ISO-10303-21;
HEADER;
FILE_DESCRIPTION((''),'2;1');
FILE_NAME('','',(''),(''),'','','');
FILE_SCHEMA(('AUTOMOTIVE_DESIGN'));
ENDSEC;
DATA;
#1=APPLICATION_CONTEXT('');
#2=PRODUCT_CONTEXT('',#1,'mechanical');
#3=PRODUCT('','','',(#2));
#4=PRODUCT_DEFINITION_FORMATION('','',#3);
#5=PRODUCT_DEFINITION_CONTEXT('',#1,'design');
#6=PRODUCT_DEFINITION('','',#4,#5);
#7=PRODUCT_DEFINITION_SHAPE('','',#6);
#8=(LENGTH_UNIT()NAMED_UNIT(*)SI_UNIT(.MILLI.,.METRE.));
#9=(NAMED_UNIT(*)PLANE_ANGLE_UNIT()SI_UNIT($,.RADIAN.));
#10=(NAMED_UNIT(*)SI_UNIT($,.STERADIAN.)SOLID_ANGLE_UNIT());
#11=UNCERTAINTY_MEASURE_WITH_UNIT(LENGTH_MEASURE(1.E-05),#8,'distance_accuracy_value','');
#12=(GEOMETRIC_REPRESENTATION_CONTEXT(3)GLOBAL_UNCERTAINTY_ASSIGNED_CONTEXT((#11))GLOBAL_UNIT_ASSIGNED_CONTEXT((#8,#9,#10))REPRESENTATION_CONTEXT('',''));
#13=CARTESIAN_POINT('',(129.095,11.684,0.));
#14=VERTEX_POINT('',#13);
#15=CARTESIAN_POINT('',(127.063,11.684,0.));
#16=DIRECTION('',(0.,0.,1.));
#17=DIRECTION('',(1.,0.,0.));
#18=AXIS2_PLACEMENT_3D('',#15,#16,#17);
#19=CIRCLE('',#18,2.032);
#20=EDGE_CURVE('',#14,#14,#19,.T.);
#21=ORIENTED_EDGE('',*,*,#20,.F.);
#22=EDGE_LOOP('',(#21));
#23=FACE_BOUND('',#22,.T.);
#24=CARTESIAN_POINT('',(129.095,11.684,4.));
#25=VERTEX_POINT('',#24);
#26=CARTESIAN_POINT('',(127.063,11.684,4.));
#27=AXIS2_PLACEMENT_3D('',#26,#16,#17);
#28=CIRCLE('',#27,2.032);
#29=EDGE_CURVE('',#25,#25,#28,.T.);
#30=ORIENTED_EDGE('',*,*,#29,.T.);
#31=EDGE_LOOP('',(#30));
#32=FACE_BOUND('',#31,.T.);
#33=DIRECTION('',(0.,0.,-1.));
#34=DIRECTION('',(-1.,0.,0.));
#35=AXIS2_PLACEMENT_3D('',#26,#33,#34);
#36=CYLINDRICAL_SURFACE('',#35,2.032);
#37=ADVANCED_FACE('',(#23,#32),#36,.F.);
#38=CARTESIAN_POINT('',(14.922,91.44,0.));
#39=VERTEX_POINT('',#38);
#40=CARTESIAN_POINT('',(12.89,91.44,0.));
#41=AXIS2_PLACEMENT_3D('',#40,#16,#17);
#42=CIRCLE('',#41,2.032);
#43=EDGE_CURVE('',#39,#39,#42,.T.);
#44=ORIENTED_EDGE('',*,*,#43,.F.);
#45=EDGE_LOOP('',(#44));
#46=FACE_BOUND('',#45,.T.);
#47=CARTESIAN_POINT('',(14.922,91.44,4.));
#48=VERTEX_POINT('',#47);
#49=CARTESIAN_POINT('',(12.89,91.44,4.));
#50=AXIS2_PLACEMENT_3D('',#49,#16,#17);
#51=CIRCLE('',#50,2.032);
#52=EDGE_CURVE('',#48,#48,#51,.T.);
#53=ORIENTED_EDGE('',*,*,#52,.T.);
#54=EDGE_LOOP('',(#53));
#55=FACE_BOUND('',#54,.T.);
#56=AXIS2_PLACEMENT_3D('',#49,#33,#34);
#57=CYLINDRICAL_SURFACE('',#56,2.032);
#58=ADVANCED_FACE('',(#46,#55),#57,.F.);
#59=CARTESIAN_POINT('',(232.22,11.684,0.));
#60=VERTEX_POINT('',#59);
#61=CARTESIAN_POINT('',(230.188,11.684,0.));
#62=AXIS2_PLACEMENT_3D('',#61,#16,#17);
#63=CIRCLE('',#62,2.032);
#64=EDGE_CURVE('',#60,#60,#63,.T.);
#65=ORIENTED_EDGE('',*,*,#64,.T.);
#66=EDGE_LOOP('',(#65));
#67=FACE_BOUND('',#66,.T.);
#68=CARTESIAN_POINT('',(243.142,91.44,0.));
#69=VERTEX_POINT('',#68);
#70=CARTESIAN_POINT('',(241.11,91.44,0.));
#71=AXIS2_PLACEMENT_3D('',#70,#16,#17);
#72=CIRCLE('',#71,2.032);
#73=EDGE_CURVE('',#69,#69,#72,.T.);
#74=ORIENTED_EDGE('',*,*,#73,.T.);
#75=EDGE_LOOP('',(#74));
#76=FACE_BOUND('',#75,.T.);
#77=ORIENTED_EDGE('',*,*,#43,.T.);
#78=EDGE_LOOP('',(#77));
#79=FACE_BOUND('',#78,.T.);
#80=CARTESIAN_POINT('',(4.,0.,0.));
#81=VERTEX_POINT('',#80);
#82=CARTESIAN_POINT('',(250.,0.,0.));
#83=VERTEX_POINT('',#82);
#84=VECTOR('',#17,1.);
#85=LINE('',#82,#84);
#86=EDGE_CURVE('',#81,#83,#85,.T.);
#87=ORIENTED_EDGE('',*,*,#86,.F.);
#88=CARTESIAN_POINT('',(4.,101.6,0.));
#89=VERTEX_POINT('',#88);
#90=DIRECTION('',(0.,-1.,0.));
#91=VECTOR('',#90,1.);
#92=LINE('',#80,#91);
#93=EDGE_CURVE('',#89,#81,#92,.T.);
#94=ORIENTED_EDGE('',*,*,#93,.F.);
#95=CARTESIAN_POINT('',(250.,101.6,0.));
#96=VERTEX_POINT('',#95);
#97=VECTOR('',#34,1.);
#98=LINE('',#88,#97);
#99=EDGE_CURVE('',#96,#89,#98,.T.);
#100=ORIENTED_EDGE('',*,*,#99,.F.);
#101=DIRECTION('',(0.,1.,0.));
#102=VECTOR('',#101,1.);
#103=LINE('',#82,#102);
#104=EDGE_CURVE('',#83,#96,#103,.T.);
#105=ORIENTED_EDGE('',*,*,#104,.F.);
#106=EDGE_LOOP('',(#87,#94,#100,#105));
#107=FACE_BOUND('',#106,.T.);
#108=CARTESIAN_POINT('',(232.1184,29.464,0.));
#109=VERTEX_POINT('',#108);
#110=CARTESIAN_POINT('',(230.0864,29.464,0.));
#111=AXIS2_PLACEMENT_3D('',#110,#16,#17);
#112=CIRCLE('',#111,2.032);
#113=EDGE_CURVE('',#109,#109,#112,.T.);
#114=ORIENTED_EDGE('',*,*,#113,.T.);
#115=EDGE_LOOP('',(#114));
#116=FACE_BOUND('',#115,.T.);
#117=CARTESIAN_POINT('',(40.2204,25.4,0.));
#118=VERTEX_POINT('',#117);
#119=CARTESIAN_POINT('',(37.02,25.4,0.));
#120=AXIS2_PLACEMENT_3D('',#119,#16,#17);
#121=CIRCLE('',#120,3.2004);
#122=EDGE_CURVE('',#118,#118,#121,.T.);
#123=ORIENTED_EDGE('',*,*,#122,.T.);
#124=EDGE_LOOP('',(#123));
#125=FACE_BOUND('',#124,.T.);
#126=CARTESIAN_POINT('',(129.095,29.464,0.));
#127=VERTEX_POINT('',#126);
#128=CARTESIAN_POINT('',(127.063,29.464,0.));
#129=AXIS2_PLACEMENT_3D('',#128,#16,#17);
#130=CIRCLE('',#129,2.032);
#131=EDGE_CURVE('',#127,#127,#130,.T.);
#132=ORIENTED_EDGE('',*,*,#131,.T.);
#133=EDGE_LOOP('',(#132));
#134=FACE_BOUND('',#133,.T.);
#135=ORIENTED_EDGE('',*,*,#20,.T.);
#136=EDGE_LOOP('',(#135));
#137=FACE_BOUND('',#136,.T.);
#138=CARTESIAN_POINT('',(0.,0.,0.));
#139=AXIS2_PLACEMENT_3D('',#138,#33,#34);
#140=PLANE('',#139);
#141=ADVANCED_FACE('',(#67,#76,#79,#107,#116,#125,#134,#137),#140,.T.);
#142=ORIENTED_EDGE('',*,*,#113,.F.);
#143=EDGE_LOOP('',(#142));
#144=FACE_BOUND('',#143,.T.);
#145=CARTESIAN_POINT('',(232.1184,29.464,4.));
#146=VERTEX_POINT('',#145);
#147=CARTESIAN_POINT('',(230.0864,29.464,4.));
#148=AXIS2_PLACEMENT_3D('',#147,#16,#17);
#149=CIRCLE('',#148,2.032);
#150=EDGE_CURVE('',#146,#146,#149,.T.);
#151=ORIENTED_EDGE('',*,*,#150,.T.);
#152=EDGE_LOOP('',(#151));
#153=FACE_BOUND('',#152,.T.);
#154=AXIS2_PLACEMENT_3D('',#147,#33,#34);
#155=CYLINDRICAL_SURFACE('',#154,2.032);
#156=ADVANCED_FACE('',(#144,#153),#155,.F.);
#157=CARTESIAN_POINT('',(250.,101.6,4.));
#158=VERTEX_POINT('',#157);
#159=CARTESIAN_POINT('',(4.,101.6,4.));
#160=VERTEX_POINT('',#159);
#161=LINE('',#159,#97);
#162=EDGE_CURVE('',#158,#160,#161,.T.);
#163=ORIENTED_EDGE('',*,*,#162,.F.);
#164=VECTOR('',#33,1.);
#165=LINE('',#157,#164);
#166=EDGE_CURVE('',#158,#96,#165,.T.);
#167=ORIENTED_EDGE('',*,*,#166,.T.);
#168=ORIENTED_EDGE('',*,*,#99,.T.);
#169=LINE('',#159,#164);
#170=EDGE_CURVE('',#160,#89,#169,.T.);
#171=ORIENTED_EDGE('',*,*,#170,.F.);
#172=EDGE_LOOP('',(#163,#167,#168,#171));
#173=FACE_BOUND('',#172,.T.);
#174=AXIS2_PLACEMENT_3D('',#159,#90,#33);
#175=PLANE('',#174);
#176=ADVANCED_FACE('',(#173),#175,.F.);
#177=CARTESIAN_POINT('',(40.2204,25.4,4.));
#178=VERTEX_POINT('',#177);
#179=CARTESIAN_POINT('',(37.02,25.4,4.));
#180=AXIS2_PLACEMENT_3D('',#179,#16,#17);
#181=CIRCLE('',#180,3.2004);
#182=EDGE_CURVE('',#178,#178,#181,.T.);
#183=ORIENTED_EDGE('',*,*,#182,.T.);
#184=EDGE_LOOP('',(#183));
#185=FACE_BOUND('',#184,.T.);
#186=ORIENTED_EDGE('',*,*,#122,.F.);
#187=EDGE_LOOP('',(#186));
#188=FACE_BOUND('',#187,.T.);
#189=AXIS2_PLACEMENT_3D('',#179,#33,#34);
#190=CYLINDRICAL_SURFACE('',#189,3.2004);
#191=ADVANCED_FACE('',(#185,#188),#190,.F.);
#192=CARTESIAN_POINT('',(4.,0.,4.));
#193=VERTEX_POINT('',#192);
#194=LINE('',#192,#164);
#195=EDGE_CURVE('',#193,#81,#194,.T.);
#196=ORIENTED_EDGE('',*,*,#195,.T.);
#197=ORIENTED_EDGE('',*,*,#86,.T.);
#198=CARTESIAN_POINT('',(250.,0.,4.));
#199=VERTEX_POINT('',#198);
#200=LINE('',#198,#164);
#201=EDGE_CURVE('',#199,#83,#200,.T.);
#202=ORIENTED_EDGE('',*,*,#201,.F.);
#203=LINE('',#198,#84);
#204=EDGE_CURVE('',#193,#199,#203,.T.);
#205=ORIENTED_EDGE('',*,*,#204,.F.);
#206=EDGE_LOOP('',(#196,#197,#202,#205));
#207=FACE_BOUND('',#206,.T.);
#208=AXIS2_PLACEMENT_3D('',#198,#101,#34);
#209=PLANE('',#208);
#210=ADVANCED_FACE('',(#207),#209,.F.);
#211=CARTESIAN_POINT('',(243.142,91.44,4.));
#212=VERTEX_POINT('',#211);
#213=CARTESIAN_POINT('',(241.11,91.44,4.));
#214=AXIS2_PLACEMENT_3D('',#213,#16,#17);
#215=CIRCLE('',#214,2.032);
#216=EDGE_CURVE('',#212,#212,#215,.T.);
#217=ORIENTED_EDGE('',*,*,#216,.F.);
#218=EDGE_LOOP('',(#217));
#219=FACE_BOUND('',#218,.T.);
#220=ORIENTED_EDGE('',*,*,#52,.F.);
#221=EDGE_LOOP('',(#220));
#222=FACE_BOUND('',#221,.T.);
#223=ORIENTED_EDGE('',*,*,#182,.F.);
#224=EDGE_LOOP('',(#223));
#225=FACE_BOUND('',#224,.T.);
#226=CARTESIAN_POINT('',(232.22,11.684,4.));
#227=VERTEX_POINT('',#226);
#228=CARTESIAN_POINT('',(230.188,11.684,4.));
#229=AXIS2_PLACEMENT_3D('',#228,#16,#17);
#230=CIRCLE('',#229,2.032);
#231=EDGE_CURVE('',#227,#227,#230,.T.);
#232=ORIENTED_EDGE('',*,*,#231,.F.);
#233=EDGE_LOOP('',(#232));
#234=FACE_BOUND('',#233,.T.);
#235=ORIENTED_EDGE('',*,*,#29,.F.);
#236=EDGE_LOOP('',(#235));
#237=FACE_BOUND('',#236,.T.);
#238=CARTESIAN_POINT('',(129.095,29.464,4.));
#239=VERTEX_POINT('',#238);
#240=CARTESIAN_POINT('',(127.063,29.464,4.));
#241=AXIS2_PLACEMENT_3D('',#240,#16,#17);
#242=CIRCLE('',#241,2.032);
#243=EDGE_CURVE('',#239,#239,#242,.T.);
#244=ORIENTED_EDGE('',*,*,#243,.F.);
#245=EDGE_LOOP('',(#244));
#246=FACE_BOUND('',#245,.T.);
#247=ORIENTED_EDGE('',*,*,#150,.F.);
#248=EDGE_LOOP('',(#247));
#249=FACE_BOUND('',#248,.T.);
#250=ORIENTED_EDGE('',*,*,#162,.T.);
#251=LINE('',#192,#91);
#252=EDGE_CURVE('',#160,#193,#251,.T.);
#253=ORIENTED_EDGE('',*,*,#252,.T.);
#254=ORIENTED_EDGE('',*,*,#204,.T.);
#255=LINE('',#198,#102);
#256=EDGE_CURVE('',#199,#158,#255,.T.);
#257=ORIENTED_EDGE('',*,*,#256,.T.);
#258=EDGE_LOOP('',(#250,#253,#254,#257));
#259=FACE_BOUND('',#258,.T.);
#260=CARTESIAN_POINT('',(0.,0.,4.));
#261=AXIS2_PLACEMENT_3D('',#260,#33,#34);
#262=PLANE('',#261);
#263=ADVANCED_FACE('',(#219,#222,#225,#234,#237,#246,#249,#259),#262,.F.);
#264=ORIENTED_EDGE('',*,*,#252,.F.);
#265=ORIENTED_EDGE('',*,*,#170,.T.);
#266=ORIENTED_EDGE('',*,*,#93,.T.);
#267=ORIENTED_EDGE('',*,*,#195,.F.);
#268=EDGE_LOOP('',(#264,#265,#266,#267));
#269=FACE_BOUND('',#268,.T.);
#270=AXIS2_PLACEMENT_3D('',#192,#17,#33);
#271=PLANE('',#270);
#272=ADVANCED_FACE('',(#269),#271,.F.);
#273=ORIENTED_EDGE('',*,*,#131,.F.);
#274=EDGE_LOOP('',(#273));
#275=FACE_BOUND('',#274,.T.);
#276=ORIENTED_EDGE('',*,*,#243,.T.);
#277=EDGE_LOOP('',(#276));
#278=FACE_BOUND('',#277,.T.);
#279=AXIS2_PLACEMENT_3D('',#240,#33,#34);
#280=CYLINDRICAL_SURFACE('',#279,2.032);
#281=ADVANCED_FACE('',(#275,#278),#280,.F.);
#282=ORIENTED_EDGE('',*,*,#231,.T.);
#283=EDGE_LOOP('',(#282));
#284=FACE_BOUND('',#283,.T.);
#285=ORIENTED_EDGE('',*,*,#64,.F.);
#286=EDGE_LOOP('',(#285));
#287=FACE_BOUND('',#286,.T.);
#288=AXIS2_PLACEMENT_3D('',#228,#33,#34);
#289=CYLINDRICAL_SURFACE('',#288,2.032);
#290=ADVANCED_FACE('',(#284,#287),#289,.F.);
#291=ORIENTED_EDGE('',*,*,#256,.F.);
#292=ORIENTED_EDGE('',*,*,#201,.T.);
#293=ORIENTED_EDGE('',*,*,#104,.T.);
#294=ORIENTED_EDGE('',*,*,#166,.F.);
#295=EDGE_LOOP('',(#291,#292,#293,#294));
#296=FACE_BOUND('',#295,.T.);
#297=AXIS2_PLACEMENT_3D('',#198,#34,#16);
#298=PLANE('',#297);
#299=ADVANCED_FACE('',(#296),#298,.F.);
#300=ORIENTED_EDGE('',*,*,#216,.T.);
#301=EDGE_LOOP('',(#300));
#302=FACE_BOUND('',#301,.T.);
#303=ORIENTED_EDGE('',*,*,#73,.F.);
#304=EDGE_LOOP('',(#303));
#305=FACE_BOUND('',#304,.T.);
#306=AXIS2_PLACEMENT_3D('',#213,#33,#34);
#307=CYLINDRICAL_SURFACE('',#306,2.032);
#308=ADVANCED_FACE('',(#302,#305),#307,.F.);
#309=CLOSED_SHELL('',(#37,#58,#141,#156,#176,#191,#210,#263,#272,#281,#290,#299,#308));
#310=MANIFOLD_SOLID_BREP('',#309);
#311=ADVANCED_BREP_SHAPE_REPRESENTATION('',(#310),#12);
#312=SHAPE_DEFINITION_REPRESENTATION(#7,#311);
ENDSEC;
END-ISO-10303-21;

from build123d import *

# Parameters (mm, degrees)
SKETCH1_W           = 246
SKETCH1_H           = 101.6
SKETCH1_R           = 2.032
SKETCH1_R_2         = 3.2004
BOSS_EXTRUDE1_DEPTH = 4


with BuildPart() as part:
    # Sketch1 → Boss-Extrude1 (new body)
    with BuildSketch(Plane.XY):
        with Locations((127, 50.8)):
            Rectangle(SKETCH1_W, SKETCH1_H)
        with Locations((127.063, 29.464)):
            Circle(SKETCH1_R, mode=Mode.SUBTRACT)
        with Locations((127.063, 11.684)):
            Circle(SKETCH1_R, mode=Mode.SUBTRACT)
        with Locations((37.02, 25.4)):
            Circle(SKETCH1_R_2, mode=Mode.SUBTRACT)
        with Locations((230.0864, 29.464)):
            Circle(SKETCH1_R, mode=Mode.SUBTRACT)
        with Locations((230.188, 11.684)):
            Circle(SKETCH1_R, mode=Mode.SUBTRACT)
        with Locations((12.89, 91.44)):
            Circle(SKETCH1_R, mode=Mode.SUBTRACT)
        with Locations((241.11, 91.44)):
            Circle(SKETCH1_R, mode=Mode.SUBTRACT)
    extrude(amount=BOSS_EXTRUDE1_DEPTH)


solid = part.part
